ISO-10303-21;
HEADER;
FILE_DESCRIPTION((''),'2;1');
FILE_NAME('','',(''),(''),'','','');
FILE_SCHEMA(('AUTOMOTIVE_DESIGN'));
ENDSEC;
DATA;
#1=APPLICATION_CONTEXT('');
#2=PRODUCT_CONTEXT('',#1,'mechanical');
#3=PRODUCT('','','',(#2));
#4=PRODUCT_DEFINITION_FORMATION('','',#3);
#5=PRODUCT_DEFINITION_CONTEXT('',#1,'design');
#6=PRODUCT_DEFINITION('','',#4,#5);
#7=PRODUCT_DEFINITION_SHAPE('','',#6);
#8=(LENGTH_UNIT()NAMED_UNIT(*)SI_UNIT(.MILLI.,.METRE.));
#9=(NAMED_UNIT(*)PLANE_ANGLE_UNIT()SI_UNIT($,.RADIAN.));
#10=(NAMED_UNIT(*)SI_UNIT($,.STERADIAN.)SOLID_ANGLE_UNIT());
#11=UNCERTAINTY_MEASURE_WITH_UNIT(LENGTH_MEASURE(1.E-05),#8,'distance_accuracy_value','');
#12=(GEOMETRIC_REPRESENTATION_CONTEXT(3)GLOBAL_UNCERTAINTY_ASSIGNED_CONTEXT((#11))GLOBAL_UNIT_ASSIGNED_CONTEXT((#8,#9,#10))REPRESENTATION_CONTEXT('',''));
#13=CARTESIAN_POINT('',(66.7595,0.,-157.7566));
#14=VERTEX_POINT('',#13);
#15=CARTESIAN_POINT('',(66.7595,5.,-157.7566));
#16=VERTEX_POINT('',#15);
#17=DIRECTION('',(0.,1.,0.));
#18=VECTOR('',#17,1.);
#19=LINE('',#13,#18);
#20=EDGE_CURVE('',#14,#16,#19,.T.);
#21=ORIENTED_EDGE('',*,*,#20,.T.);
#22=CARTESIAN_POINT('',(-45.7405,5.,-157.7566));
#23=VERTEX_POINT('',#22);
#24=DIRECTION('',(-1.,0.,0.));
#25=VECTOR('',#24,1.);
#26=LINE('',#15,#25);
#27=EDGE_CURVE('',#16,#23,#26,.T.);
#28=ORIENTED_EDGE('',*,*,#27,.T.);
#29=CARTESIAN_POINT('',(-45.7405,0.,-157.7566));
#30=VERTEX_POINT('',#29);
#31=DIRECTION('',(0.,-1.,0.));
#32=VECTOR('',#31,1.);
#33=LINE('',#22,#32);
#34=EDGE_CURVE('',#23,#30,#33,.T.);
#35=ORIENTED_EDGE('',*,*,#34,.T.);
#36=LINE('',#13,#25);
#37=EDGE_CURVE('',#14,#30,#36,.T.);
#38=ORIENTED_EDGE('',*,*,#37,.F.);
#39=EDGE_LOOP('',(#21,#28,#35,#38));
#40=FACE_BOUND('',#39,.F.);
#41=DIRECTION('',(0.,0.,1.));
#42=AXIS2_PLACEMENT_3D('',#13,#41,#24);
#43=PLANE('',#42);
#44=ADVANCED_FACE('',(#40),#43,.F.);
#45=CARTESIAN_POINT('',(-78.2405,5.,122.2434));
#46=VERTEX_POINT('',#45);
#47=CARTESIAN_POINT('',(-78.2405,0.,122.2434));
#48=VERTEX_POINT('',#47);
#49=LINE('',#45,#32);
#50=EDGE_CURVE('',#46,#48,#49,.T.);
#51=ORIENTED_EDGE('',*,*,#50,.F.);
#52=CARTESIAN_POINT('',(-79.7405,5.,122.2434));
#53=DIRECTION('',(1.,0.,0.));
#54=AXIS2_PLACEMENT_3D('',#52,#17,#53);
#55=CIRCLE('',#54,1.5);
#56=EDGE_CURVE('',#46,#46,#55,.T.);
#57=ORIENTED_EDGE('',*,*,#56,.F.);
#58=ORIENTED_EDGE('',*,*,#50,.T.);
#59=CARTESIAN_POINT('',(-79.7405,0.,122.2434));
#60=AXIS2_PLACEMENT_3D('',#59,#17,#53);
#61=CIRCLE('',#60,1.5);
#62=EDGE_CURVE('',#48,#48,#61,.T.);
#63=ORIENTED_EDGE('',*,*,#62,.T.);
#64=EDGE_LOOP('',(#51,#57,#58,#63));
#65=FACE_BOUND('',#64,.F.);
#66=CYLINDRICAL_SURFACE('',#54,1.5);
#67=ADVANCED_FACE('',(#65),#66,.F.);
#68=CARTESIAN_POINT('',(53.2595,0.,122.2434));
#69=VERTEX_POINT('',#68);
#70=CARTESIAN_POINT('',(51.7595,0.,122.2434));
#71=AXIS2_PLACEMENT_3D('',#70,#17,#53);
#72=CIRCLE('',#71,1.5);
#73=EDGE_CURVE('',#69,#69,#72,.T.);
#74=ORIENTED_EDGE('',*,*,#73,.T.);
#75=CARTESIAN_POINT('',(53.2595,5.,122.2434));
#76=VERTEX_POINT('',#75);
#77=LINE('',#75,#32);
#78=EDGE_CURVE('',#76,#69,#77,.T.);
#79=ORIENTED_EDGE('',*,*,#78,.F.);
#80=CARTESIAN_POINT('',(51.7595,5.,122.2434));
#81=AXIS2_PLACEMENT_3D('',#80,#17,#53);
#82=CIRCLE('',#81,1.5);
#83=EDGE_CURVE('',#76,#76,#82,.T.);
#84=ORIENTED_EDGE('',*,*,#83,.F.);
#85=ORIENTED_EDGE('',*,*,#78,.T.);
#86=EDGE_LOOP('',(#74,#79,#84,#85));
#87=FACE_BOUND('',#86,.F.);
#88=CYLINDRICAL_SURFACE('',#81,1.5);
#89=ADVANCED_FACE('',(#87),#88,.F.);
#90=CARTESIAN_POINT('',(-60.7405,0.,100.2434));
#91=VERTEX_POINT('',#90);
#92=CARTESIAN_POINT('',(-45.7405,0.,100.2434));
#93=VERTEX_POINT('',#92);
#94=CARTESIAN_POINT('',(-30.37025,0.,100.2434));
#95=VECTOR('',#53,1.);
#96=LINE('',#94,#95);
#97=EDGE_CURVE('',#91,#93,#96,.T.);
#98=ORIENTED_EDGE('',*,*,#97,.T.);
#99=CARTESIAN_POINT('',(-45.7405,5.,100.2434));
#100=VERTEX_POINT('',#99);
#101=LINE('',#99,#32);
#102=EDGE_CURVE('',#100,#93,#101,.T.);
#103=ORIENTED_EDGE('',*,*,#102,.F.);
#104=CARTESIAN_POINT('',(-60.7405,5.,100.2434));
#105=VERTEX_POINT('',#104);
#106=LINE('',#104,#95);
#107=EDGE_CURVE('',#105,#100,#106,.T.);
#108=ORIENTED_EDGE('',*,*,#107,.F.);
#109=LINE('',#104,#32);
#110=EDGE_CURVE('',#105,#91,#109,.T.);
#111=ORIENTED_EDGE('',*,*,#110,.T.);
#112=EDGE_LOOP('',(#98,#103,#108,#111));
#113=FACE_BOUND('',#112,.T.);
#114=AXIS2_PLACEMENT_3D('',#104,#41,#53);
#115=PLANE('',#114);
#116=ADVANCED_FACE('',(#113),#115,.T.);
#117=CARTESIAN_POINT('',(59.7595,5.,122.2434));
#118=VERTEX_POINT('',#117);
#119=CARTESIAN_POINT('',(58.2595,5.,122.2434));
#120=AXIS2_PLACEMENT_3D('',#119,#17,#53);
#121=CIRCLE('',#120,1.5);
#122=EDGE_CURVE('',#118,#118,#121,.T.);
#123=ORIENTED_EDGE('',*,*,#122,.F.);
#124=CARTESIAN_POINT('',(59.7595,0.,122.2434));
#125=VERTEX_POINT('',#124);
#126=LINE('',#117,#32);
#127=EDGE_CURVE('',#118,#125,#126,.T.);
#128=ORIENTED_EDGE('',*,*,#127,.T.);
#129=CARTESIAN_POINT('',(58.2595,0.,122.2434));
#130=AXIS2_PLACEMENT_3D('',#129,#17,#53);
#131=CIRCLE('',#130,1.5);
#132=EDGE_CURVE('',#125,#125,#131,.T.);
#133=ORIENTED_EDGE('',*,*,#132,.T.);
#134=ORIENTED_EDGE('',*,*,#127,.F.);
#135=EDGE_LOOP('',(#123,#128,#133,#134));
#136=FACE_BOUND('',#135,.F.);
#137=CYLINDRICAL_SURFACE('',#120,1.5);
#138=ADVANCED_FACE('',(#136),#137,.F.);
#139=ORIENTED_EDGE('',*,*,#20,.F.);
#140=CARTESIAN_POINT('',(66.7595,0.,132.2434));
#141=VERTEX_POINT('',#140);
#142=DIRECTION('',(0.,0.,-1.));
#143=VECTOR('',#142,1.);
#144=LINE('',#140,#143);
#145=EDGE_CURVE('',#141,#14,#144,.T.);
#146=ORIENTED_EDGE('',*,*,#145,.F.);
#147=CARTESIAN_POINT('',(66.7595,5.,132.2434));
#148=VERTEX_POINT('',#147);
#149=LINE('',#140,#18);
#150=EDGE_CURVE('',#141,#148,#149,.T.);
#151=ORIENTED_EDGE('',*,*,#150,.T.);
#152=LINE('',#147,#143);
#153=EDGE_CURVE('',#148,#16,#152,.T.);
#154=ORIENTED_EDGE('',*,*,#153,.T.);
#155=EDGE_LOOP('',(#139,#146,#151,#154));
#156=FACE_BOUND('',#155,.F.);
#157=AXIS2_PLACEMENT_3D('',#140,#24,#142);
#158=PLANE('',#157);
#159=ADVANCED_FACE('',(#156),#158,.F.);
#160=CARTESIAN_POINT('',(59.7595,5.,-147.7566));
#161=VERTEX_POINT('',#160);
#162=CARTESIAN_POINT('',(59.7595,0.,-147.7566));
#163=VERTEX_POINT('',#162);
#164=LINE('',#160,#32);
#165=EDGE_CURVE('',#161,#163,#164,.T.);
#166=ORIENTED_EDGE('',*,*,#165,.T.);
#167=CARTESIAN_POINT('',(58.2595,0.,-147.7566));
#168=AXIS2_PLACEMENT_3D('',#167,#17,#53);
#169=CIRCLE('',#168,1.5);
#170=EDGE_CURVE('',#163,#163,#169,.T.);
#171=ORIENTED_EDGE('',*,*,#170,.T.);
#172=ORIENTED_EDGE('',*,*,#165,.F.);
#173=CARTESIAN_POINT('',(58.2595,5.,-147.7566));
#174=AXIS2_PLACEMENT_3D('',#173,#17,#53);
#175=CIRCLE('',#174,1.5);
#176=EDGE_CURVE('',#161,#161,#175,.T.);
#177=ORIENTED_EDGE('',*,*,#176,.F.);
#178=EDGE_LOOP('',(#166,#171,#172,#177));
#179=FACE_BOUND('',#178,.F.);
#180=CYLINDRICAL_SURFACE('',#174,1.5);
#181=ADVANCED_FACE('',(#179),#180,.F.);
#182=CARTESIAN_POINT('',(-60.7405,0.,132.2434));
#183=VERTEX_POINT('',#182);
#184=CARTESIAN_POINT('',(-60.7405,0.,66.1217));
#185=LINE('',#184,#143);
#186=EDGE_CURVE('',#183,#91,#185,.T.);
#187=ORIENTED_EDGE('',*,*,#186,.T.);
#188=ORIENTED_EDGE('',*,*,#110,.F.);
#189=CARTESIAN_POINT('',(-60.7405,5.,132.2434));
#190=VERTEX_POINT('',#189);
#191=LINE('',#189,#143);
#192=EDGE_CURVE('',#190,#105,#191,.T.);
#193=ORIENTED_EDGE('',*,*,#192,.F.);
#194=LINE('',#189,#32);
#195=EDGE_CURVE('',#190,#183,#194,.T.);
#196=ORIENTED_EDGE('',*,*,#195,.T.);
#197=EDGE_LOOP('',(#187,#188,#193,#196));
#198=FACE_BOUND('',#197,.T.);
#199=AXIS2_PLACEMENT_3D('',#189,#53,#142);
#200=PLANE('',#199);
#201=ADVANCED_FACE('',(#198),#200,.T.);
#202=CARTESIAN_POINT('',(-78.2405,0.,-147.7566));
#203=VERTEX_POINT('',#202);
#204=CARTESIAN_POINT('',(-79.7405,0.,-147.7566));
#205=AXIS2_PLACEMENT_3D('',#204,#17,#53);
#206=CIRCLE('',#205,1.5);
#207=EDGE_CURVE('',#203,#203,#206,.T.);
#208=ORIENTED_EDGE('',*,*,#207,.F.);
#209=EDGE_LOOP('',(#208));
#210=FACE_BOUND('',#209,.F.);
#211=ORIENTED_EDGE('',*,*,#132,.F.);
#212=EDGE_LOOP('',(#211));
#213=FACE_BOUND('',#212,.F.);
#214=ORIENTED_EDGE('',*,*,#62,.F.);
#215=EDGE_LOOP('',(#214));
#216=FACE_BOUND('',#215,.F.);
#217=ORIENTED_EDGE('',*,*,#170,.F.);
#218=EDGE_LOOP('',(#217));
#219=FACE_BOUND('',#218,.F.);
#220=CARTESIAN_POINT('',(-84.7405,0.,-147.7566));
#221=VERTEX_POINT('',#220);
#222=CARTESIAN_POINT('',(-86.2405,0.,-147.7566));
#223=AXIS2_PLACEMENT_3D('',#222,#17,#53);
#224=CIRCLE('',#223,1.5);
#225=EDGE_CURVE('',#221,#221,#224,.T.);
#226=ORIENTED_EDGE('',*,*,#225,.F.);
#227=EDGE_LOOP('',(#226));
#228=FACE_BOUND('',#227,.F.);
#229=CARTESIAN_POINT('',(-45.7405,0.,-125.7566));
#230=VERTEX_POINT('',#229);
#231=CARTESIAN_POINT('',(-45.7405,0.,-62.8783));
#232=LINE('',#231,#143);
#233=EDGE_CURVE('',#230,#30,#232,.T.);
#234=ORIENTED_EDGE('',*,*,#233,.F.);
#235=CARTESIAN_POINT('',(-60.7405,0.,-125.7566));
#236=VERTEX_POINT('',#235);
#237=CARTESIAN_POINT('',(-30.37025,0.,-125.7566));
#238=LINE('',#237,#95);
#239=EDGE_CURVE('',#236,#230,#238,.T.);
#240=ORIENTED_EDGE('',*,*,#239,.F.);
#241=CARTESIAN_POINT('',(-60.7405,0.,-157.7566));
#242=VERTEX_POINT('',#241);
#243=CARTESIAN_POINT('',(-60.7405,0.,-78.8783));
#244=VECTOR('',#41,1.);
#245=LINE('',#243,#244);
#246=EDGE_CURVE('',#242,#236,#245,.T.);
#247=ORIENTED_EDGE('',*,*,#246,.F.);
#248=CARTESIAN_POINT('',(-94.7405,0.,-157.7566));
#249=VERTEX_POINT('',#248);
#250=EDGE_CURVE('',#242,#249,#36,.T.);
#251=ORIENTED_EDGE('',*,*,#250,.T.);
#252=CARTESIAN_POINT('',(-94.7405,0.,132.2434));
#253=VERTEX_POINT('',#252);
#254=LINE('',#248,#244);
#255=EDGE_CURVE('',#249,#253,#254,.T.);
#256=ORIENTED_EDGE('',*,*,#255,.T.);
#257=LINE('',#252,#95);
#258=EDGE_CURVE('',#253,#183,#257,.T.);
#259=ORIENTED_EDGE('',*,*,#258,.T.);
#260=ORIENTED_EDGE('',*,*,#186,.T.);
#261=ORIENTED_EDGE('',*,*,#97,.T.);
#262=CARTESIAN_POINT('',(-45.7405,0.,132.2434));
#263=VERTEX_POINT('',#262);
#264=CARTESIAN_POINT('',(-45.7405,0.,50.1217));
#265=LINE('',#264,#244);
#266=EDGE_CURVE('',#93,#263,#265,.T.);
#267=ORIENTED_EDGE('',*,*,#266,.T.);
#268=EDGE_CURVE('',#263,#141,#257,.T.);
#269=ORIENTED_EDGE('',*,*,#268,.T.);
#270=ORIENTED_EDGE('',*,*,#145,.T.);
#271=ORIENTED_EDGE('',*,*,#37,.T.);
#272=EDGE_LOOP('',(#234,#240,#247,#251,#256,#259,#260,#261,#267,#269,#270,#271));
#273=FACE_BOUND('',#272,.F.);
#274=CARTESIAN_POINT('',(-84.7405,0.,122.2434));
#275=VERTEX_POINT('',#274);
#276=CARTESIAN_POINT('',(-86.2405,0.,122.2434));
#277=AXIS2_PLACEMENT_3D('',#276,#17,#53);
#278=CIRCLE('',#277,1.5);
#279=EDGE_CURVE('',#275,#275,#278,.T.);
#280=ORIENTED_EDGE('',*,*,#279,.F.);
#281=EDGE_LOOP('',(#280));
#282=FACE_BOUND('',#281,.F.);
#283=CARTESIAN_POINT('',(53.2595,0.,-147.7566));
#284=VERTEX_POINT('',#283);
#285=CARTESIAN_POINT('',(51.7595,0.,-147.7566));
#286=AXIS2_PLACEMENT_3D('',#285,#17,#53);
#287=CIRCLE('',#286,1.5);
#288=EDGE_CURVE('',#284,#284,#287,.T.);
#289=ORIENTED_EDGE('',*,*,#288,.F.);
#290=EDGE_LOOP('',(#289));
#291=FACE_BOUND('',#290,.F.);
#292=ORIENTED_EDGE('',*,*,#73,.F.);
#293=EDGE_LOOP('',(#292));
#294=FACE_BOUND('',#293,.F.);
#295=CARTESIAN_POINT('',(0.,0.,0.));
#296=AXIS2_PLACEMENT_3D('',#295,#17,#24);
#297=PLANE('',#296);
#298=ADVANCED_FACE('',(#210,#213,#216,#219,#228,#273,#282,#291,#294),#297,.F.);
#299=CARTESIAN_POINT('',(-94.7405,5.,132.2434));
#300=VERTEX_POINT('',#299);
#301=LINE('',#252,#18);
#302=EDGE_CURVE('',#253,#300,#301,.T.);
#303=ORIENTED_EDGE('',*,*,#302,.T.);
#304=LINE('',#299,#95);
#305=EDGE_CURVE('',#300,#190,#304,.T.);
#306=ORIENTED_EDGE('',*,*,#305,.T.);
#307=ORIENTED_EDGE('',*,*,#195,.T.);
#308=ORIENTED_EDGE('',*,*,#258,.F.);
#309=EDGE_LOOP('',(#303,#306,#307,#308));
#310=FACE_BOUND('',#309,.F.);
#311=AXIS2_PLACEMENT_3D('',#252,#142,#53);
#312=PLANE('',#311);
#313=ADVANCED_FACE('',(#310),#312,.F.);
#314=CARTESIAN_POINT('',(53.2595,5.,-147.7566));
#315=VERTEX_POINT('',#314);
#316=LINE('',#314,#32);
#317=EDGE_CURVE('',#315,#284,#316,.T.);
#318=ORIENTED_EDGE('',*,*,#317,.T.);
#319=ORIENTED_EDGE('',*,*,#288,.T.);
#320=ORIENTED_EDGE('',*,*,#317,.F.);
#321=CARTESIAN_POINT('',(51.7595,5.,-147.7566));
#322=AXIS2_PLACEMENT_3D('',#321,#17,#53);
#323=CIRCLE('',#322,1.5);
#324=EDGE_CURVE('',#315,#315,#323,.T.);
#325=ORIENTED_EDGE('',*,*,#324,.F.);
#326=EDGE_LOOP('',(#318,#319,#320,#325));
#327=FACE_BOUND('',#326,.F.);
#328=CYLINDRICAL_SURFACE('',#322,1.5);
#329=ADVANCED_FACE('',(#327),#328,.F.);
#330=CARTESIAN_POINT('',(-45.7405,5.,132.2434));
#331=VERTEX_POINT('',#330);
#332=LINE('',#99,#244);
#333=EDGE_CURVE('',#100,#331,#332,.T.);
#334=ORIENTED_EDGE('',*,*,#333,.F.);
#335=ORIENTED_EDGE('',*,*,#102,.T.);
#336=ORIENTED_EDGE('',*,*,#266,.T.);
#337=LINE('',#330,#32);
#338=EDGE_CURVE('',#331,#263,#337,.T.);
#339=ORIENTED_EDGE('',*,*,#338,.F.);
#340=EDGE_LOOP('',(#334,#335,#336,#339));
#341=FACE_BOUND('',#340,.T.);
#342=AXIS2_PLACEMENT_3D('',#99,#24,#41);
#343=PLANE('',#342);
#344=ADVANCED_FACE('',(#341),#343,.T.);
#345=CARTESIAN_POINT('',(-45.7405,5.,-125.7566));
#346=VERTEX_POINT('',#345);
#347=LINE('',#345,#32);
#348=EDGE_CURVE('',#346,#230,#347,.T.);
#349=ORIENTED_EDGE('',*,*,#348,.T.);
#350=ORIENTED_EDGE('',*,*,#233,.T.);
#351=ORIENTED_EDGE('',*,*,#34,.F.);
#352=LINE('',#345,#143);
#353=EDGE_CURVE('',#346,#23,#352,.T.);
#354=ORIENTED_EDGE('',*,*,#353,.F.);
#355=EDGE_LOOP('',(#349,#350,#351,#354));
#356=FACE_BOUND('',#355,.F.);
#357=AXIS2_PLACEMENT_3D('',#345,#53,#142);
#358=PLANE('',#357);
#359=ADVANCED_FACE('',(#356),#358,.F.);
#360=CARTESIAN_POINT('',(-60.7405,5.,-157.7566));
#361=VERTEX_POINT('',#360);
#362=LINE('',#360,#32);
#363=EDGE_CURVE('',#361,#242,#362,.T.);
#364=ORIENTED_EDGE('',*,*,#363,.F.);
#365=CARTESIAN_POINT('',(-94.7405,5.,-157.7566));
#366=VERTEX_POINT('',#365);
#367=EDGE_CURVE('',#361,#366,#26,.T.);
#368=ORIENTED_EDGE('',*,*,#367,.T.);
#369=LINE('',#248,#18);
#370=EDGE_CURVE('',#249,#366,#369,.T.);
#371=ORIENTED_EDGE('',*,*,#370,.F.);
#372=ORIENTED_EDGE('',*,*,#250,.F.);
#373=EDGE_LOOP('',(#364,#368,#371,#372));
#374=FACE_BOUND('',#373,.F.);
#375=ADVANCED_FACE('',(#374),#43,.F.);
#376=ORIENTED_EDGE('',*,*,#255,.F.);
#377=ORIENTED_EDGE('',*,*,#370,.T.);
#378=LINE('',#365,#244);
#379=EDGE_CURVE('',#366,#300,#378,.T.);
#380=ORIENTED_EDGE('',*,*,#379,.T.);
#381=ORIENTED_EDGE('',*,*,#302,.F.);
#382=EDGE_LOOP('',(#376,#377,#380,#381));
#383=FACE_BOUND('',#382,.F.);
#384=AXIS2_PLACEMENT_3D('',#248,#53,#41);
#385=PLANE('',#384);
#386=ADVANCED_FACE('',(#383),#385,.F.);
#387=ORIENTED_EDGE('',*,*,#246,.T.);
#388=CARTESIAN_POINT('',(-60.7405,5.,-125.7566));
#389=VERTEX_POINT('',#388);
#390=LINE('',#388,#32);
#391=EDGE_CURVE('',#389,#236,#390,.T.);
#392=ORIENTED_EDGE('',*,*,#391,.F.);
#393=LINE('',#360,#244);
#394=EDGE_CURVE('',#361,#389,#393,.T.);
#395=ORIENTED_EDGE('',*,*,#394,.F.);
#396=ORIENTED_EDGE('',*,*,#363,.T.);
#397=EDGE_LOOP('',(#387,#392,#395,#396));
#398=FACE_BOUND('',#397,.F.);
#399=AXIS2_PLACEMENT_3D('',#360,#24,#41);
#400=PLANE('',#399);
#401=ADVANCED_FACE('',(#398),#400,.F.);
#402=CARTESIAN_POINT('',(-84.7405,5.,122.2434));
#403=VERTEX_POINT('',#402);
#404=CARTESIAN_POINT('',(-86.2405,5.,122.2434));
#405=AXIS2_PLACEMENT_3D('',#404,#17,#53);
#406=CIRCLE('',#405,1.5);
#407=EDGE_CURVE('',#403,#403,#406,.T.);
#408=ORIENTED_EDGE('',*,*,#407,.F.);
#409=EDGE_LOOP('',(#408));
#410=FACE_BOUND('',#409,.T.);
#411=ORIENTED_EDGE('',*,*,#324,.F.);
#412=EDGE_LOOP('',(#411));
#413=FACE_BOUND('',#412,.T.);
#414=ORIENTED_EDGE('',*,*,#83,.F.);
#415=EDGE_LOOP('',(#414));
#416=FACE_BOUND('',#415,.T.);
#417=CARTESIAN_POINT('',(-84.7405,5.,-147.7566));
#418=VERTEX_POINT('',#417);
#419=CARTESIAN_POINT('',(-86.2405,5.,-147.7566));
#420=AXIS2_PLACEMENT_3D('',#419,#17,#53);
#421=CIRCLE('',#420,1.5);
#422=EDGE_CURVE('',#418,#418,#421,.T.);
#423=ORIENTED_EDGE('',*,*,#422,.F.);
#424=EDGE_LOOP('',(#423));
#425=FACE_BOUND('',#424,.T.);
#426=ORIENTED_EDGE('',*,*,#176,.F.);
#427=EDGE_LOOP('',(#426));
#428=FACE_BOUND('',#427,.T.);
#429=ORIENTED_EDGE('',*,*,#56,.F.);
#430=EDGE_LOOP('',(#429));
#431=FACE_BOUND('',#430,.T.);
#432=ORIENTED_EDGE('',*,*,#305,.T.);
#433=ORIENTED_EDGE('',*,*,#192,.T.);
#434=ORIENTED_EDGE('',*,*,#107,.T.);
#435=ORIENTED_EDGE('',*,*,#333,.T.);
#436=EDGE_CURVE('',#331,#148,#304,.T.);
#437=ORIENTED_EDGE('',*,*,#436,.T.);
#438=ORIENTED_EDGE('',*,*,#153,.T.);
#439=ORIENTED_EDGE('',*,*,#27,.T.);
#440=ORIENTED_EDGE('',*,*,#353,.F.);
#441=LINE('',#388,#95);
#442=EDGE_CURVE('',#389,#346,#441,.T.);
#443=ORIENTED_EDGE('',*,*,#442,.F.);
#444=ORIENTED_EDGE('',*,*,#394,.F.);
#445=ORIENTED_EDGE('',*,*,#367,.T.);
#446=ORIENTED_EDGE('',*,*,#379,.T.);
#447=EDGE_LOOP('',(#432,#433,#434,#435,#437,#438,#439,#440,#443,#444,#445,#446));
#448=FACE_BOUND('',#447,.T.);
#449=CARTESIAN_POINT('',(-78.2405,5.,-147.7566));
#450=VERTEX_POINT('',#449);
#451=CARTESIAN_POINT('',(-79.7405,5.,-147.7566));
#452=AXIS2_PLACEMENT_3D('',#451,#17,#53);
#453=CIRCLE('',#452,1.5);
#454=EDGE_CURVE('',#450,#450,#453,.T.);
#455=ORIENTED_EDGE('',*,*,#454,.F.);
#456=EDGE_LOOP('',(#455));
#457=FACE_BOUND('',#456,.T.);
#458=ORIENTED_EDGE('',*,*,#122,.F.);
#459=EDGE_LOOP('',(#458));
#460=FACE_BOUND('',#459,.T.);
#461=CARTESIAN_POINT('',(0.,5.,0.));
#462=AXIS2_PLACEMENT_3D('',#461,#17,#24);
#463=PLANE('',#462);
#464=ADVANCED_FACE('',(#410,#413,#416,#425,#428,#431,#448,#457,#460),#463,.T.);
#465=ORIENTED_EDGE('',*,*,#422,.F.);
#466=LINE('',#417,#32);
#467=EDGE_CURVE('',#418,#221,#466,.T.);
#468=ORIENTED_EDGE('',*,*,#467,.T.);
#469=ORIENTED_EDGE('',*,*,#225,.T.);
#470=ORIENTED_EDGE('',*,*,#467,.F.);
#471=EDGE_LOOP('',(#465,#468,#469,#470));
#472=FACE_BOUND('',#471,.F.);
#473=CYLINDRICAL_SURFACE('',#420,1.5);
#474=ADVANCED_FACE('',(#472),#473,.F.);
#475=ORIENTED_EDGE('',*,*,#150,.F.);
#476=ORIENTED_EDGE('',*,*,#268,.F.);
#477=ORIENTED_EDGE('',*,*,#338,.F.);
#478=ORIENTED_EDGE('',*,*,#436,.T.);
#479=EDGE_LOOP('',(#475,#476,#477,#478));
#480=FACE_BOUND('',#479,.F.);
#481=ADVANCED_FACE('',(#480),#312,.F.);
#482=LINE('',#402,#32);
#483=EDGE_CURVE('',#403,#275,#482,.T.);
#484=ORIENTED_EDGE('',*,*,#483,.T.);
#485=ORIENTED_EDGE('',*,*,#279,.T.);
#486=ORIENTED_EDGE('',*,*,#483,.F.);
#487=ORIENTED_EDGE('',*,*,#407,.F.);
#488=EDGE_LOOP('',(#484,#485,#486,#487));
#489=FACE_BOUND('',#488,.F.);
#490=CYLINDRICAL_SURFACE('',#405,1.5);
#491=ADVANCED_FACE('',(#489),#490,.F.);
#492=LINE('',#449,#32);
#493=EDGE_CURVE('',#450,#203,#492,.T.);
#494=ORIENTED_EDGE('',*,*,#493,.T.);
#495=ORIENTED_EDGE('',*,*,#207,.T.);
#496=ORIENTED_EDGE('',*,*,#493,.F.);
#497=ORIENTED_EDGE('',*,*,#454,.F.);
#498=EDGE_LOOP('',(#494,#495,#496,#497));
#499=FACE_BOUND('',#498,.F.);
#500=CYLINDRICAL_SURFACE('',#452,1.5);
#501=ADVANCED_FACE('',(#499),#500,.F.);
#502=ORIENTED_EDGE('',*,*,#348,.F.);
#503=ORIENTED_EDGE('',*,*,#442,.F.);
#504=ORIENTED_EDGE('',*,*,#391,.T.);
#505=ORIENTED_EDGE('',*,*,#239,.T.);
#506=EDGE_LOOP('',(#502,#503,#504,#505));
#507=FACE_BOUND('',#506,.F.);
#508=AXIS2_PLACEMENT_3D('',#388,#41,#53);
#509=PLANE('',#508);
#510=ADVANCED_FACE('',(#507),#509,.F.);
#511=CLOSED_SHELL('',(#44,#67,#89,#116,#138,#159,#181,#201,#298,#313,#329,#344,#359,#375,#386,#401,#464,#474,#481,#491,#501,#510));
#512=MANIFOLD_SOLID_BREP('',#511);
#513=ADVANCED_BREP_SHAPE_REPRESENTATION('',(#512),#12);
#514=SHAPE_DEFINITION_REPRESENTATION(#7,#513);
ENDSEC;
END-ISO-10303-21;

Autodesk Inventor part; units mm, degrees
ref_plane "YZ Plane" through (0, 0, 0) normal (1, 0, 0) x (0, 1, 0)
ref_plane "XZ Plane" through (0, 0, 0) normal (0, 1, 0) x (-1, 0, 0)
ref_plane "XY Plane" through (0, 0, 0) normal (0, 0, 1) x (1, 0, 0)
sketch "Esquisse1" plane through (0, 0, 0) normal (0, 1, 0) x (-1, 0, 0)
  line L0 (94.7405, 132.2434) -> (-66.7595, 132.2434)
  line L1 (-66.7595, 132.2434) -> (-66.7595, -157.7566)
  line L2 (-66.7595, -157.7566) -> (94.7405, -157.7566)
  line L3 (94.7405, -157.7566) -> (94.7405, 132.2434)
  point P0 (0, 0)
  dimension "d0" = 290
  dimension "d1" = 161.5
extrude "Extrusion1" add sketch "Esquisse1" along normal blind 5
sketch "Esquisse3" plane through (0, 5, 0) normal (0, 1, 0) x (1, 0, 0)
  circle A0 centre (58.2595, 147.7566) radius 1.5 projected
  circle A1 centre (51.7595, 147.7566) radius 1.5 projected
  circle A2 centre (58.2595, -122.2434) radius 1.5 projected
  circle A3 centre (51.7595, -122.2434) radius 1.5 projected
  line L0 (-13.9905, 179.8328) -> (-13.9905, -180.1419)
  line L1 (66.7595, -132.2434) -> (66.7595, 157.7566) projected
  circle A4 centre (-86.2405, 147.7566) radius 1.5
  circle A5 centre (-79.7405, 147.7566) radius 1.5
  circle A6 centre (-86.2405, -122.2434) radius 1.5
  circle A7 centre (-79.7405, -122.2434) radius 1.5
  point P0 (0, 0)
  dimension "d11" = 80.75
extrude "Extrusion3" cut sketch "Esquisse3" against normal up to next
sketch "Esquisse4" plane through (0, 5, 0) normal (0, 1, 0) x (1, 0, 0)
  line L0 (-94.7405, -132.2434) -> (66.7595, -132.2434) projected
  line L1 (-60.7405, -100.2434) -> (-45.7405, -100.2434)
  line L2 (-45.7405, -100.2434) -> (-45.7405, -132.2434)
  line L3 (-45.7405, -132.2434) -> (-60.7405, -132.2434)
  line L4 (-60.7405, -132.2434) -> (-60.7405, -100.2434)
  line L5 (-94.7405, 157.7566) -> (-94.7405, -132.2434) projected
  line L6 (-60.7405, 125.7566) -> (-45.7405, 125.7566)
  line L7 (-45.7405, 125.7566) -> (-45.7405, 157.7566)
  line L8 (-45.7405, 157.7566) -> (-60.7405, 157.7566)
  line L9 (-60.7405, 157.7566) -> (-60.7405, 125.7566)
  line L10 (66.7595, 157.7566) -> (-94.7405, 157.7566) projected
  point P0 (0, 0)
  dimension "d12" = 15
  dimension "d13" = 32
  dimension "d14" = 34
  dimension "d15" = 34
  dimension "d16" = 15
  dimension "d17" = 32
  dimension "d18" = 0
extrude "Extrusion4" cut sketch "Esquisse4" against normal through all
properties part number "étage"
